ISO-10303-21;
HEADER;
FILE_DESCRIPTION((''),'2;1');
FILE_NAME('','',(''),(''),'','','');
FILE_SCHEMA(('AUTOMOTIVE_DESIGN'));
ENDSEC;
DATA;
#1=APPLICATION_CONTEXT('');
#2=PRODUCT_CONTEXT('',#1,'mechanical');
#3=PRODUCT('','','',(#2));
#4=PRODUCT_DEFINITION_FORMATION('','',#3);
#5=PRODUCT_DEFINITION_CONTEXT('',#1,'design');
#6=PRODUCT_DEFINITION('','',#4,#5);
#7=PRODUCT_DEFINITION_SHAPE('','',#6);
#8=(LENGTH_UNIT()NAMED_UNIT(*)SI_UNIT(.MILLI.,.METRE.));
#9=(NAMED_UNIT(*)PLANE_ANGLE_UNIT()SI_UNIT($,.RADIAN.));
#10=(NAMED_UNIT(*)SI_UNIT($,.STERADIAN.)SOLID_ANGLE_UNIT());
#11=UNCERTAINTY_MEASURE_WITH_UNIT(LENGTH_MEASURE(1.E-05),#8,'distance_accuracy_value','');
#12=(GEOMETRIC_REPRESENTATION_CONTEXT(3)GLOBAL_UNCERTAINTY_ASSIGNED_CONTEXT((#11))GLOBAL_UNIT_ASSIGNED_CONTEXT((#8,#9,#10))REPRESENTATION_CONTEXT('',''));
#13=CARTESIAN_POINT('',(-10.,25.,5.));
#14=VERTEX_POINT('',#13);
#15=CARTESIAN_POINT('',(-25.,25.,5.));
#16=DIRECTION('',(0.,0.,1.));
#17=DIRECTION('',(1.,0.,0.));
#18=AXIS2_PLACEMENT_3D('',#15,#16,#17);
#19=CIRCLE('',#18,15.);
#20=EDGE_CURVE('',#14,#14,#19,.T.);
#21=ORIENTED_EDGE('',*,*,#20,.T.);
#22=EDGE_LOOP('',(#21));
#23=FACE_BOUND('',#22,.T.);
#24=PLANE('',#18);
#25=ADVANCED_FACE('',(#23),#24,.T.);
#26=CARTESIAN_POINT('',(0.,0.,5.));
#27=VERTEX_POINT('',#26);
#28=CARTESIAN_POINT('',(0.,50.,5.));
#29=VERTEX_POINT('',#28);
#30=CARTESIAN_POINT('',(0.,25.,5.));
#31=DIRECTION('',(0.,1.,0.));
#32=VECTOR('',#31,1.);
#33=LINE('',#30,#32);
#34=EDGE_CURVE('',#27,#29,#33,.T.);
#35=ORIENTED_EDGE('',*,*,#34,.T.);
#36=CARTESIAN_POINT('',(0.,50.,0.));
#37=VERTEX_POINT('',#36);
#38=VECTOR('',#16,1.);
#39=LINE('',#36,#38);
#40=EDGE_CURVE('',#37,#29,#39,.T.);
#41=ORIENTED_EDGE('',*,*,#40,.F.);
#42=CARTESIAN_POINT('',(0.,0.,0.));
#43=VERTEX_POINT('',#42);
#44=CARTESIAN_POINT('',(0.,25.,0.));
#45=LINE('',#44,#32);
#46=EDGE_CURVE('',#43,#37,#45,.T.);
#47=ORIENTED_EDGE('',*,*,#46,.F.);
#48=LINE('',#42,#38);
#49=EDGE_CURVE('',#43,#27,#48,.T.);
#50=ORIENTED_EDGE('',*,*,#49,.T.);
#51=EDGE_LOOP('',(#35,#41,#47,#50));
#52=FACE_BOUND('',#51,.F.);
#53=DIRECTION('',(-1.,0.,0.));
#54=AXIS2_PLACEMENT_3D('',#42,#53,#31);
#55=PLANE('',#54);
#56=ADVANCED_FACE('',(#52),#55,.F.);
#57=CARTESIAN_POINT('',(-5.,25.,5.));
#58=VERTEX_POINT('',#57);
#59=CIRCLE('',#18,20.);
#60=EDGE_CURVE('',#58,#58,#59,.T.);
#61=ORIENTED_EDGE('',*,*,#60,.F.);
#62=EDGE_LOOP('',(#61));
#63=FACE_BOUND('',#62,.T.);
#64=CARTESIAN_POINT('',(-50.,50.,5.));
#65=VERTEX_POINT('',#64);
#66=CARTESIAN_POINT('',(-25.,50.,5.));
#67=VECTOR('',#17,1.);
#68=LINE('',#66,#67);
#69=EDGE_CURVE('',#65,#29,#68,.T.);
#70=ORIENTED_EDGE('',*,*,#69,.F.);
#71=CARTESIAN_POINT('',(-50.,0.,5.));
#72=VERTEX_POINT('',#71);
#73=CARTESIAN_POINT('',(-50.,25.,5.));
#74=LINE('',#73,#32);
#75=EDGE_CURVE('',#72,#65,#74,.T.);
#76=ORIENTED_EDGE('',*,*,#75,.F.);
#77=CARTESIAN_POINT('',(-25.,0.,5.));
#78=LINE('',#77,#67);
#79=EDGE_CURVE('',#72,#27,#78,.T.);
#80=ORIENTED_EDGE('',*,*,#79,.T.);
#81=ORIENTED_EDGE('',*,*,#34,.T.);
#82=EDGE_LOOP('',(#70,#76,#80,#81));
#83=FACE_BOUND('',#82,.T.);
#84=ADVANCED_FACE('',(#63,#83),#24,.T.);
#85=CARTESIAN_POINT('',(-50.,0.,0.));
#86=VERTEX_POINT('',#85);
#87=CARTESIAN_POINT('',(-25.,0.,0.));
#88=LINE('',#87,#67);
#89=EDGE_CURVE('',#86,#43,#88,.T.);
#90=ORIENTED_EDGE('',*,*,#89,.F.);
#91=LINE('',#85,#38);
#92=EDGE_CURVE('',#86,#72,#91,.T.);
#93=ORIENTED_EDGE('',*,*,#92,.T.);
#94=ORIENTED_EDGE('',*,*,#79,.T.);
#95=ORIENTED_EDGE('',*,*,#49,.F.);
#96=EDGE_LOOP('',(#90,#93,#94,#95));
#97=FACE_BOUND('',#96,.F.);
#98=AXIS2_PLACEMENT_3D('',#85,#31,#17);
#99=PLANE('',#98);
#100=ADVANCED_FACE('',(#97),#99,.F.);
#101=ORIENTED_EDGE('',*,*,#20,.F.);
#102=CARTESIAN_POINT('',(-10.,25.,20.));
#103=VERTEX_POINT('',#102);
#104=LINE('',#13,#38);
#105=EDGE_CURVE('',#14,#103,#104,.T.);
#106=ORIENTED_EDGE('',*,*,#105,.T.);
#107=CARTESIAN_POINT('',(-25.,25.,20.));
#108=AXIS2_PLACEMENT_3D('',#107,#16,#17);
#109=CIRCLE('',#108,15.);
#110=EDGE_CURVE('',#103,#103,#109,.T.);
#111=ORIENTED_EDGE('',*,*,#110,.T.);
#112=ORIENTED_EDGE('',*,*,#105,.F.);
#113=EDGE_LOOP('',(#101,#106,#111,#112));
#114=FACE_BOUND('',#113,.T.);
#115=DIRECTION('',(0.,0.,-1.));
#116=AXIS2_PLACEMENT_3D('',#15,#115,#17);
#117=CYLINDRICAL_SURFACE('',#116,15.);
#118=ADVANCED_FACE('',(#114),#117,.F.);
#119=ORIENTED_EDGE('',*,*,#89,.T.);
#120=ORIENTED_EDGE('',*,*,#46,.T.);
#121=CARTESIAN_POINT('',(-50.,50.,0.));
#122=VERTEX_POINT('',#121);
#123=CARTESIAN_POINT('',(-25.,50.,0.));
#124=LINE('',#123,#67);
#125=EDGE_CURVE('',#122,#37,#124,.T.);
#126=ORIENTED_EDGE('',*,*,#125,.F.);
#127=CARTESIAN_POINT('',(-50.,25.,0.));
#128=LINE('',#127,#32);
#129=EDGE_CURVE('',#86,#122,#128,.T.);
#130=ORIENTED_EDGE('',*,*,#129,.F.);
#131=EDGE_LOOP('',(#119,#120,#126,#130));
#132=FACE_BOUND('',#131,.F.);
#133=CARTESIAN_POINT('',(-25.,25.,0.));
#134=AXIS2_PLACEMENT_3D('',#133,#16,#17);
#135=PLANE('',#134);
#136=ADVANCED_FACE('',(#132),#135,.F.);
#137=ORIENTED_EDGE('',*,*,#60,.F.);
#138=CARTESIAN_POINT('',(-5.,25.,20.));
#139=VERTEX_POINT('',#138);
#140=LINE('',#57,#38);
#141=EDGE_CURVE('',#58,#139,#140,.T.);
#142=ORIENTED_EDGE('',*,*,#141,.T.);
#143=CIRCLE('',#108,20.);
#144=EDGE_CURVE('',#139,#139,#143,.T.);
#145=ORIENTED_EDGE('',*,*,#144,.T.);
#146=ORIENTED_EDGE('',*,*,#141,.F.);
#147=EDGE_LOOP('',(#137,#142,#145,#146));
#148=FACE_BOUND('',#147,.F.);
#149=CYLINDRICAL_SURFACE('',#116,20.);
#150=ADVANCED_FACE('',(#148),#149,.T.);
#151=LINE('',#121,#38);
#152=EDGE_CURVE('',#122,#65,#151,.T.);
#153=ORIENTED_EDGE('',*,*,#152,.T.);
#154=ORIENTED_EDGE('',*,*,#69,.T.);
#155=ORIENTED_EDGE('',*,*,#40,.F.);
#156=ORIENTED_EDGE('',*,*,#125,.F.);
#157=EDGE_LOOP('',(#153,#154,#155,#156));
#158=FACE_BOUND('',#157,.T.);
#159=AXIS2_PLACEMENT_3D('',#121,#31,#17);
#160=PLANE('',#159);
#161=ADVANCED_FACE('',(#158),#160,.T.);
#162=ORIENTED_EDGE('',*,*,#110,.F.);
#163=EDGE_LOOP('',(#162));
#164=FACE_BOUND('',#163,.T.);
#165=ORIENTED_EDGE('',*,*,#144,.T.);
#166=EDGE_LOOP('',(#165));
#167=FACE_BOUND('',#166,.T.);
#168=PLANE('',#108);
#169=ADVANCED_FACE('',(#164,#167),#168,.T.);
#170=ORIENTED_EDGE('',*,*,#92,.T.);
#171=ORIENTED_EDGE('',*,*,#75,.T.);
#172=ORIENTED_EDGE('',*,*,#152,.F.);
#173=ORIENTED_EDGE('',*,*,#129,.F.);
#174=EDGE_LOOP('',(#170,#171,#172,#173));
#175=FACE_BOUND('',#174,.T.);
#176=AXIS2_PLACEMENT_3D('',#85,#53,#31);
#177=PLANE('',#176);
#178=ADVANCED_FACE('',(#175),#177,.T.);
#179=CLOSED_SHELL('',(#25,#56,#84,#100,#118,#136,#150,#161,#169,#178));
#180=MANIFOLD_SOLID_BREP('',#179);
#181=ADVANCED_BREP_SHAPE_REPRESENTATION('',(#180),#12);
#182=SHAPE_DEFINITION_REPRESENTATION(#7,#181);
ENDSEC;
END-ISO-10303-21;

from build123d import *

# Parameters (mm, degrees)
F0_W     = 50
F0_H     = 50
F1_DEPTH = 5
F2_R     = 20
F2_R_2   = 15
F3_DEPTH = 15


with BuildPart() as f1:
    # F0 (on Top) → F1 (new body)
    with BuildSketch(Plane.XY):
        with Locations((-25, 25)):
            Rectangle(F0_W, F0_H)
    extrude(amount=F1_DEPTH)

    # F2 (on face) → F3 (join)
    with BuildSketch(Plane.XY.offset(5)):
        with Locations((-25, 25)):
            Circle(F2_R)
        with Locations((-25, 25)):
            Circle(F2_R_2, mode=Mode.SUBTRACT)
    extrude(amount=F3_DEPTH)


solid = f1.part
